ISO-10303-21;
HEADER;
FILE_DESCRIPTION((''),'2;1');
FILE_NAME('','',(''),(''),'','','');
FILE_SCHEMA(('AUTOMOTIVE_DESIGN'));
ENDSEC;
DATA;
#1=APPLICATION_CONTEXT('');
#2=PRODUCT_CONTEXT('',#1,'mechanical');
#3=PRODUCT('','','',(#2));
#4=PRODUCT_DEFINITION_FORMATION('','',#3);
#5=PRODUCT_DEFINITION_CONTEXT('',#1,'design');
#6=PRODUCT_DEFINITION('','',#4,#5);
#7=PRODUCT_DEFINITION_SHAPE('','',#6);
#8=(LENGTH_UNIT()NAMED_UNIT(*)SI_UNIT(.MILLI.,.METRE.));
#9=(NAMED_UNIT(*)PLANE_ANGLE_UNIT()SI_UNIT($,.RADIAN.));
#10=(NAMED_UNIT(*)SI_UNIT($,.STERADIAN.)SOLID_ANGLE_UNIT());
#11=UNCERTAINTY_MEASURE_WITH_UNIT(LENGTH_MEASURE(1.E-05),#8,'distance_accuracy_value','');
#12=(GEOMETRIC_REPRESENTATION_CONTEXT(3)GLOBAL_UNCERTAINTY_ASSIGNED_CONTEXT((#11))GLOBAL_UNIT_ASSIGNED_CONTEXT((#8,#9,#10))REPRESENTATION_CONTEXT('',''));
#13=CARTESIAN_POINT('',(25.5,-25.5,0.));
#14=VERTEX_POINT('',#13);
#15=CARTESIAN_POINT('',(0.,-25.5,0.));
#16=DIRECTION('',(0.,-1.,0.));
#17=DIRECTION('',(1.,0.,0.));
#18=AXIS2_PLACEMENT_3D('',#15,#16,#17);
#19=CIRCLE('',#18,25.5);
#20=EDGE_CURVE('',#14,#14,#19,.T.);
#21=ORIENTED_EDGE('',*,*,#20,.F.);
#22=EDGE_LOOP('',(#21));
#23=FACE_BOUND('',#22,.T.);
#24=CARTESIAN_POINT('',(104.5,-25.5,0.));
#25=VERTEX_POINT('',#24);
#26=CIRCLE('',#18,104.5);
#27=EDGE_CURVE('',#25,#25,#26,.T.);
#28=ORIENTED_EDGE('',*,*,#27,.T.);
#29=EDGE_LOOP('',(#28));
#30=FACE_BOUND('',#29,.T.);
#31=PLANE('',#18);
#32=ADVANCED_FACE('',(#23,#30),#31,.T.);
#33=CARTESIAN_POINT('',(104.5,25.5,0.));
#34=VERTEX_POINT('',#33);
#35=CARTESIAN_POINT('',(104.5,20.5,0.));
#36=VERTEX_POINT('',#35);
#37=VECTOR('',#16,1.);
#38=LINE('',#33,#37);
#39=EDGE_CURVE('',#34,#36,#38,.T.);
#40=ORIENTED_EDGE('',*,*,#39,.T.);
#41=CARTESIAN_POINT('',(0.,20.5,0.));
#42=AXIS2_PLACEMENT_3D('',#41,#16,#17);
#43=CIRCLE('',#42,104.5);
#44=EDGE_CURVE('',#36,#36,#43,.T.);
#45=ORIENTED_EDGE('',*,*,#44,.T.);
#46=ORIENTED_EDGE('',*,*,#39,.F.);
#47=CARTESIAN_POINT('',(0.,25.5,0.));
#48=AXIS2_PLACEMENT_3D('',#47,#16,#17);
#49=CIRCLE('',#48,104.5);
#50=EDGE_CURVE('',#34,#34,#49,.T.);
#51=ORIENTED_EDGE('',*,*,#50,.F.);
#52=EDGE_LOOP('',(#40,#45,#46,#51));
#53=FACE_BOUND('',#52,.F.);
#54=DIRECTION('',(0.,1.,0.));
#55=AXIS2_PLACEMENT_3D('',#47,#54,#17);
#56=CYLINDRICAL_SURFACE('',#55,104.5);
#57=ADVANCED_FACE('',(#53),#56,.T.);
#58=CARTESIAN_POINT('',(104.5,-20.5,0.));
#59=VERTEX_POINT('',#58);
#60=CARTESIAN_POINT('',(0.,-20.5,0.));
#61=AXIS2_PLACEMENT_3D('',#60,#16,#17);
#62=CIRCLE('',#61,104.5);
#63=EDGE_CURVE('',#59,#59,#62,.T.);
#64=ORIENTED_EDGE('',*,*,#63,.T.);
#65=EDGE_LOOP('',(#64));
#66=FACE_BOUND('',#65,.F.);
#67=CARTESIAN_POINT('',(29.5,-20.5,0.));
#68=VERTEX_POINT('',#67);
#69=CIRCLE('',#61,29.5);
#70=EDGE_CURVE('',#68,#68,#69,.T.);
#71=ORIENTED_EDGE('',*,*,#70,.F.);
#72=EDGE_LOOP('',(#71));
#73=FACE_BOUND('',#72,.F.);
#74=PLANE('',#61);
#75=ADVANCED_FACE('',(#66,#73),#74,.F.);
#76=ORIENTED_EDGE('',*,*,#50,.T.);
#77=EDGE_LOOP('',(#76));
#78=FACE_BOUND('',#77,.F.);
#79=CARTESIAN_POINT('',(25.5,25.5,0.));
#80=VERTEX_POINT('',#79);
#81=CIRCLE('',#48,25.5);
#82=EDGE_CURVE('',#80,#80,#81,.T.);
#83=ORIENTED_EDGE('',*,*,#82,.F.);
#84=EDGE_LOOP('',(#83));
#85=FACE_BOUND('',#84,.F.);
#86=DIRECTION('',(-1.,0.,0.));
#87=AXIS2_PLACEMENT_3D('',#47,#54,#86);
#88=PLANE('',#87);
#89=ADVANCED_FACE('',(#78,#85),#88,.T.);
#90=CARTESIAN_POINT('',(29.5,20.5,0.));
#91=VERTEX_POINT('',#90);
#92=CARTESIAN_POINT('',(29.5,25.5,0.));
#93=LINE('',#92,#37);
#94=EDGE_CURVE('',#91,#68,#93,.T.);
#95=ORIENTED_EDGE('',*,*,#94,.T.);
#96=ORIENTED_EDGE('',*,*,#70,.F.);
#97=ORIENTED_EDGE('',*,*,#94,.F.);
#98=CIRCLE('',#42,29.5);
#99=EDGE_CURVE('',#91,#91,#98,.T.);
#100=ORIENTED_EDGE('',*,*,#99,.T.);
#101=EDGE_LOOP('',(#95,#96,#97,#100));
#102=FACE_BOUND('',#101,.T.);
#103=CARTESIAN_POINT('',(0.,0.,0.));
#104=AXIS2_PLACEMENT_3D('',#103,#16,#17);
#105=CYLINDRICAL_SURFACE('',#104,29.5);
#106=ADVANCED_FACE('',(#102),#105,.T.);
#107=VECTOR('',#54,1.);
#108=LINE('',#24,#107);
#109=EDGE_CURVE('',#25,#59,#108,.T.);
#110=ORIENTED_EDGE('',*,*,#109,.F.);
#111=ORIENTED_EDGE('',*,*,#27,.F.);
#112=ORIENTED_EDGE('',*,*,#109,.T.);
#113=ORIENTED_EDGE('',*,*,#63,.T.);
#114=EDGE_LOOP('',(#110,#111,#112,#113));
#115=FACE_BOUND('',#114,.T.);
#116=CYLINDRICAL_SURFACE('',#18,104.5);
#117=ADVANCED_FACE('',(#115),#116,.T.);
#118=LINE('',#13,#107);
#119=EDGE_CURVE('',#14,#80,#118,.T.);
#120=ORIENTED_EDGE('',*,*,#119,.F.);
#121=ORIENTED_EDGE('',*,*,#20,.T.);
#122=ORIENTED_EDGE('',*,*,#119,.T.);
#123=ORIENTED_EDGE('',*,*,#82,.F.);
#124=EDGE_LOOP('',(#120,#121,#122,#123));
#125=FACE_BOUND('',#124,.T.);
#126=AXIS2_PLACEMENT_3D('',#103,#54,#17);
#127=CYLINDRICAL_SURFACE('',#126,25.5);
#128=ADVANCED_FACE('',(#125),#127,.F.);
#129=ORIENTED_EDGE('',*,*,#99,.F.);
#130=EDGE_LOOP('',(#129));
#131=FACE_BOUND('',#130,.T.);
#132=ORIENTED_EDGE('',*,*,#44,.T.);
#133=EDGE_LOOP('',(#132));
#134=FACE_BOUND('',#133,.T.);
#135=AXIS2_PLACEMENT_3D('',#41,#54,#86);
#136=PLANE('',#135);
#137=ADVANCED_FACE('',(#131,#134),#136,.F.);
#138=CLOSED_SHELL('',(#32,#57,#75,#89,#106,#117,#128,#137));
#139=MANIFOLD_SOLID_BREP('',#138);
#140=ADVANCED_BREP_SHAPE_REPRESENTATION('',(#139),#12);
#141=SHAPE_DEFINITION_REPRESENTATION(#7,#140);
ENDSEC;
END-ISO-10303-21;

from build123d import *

# Parameters (mm, degrees)
F0_R     = 29.5
F0_R_2   = 25.5
F1_DEPTH = 25.5
F2_R     = 104.5
F2_R_2   = 29.5
F3_DEPTH = 5


with BuildPart() as f1:
    # F0 (on Front) → F1 (new body, symmetric)
    with BuildSketch(Plane.XZ):
        Circle(F0_R)
        Circle(F0_R_2, mode=Mode.SUBTRACT)
    extrude(amount=F1_DEPTH, both=True)

    # F2 (on face) → F3 (join)
    with BuildSketch(Plane.XZ.offset(25.5)):
        Circle(F2_R)
        Circle(F2_R_2, mode=Mode.SUBTRACT)
    extrude(amount=-F3_DEPTH)

    # F4: F1 across plane


with BuildPart() as f1_1:
    add(f1.part)
    add(f1.part.mirror(Plane.XZ))


solid = f1_1.part
